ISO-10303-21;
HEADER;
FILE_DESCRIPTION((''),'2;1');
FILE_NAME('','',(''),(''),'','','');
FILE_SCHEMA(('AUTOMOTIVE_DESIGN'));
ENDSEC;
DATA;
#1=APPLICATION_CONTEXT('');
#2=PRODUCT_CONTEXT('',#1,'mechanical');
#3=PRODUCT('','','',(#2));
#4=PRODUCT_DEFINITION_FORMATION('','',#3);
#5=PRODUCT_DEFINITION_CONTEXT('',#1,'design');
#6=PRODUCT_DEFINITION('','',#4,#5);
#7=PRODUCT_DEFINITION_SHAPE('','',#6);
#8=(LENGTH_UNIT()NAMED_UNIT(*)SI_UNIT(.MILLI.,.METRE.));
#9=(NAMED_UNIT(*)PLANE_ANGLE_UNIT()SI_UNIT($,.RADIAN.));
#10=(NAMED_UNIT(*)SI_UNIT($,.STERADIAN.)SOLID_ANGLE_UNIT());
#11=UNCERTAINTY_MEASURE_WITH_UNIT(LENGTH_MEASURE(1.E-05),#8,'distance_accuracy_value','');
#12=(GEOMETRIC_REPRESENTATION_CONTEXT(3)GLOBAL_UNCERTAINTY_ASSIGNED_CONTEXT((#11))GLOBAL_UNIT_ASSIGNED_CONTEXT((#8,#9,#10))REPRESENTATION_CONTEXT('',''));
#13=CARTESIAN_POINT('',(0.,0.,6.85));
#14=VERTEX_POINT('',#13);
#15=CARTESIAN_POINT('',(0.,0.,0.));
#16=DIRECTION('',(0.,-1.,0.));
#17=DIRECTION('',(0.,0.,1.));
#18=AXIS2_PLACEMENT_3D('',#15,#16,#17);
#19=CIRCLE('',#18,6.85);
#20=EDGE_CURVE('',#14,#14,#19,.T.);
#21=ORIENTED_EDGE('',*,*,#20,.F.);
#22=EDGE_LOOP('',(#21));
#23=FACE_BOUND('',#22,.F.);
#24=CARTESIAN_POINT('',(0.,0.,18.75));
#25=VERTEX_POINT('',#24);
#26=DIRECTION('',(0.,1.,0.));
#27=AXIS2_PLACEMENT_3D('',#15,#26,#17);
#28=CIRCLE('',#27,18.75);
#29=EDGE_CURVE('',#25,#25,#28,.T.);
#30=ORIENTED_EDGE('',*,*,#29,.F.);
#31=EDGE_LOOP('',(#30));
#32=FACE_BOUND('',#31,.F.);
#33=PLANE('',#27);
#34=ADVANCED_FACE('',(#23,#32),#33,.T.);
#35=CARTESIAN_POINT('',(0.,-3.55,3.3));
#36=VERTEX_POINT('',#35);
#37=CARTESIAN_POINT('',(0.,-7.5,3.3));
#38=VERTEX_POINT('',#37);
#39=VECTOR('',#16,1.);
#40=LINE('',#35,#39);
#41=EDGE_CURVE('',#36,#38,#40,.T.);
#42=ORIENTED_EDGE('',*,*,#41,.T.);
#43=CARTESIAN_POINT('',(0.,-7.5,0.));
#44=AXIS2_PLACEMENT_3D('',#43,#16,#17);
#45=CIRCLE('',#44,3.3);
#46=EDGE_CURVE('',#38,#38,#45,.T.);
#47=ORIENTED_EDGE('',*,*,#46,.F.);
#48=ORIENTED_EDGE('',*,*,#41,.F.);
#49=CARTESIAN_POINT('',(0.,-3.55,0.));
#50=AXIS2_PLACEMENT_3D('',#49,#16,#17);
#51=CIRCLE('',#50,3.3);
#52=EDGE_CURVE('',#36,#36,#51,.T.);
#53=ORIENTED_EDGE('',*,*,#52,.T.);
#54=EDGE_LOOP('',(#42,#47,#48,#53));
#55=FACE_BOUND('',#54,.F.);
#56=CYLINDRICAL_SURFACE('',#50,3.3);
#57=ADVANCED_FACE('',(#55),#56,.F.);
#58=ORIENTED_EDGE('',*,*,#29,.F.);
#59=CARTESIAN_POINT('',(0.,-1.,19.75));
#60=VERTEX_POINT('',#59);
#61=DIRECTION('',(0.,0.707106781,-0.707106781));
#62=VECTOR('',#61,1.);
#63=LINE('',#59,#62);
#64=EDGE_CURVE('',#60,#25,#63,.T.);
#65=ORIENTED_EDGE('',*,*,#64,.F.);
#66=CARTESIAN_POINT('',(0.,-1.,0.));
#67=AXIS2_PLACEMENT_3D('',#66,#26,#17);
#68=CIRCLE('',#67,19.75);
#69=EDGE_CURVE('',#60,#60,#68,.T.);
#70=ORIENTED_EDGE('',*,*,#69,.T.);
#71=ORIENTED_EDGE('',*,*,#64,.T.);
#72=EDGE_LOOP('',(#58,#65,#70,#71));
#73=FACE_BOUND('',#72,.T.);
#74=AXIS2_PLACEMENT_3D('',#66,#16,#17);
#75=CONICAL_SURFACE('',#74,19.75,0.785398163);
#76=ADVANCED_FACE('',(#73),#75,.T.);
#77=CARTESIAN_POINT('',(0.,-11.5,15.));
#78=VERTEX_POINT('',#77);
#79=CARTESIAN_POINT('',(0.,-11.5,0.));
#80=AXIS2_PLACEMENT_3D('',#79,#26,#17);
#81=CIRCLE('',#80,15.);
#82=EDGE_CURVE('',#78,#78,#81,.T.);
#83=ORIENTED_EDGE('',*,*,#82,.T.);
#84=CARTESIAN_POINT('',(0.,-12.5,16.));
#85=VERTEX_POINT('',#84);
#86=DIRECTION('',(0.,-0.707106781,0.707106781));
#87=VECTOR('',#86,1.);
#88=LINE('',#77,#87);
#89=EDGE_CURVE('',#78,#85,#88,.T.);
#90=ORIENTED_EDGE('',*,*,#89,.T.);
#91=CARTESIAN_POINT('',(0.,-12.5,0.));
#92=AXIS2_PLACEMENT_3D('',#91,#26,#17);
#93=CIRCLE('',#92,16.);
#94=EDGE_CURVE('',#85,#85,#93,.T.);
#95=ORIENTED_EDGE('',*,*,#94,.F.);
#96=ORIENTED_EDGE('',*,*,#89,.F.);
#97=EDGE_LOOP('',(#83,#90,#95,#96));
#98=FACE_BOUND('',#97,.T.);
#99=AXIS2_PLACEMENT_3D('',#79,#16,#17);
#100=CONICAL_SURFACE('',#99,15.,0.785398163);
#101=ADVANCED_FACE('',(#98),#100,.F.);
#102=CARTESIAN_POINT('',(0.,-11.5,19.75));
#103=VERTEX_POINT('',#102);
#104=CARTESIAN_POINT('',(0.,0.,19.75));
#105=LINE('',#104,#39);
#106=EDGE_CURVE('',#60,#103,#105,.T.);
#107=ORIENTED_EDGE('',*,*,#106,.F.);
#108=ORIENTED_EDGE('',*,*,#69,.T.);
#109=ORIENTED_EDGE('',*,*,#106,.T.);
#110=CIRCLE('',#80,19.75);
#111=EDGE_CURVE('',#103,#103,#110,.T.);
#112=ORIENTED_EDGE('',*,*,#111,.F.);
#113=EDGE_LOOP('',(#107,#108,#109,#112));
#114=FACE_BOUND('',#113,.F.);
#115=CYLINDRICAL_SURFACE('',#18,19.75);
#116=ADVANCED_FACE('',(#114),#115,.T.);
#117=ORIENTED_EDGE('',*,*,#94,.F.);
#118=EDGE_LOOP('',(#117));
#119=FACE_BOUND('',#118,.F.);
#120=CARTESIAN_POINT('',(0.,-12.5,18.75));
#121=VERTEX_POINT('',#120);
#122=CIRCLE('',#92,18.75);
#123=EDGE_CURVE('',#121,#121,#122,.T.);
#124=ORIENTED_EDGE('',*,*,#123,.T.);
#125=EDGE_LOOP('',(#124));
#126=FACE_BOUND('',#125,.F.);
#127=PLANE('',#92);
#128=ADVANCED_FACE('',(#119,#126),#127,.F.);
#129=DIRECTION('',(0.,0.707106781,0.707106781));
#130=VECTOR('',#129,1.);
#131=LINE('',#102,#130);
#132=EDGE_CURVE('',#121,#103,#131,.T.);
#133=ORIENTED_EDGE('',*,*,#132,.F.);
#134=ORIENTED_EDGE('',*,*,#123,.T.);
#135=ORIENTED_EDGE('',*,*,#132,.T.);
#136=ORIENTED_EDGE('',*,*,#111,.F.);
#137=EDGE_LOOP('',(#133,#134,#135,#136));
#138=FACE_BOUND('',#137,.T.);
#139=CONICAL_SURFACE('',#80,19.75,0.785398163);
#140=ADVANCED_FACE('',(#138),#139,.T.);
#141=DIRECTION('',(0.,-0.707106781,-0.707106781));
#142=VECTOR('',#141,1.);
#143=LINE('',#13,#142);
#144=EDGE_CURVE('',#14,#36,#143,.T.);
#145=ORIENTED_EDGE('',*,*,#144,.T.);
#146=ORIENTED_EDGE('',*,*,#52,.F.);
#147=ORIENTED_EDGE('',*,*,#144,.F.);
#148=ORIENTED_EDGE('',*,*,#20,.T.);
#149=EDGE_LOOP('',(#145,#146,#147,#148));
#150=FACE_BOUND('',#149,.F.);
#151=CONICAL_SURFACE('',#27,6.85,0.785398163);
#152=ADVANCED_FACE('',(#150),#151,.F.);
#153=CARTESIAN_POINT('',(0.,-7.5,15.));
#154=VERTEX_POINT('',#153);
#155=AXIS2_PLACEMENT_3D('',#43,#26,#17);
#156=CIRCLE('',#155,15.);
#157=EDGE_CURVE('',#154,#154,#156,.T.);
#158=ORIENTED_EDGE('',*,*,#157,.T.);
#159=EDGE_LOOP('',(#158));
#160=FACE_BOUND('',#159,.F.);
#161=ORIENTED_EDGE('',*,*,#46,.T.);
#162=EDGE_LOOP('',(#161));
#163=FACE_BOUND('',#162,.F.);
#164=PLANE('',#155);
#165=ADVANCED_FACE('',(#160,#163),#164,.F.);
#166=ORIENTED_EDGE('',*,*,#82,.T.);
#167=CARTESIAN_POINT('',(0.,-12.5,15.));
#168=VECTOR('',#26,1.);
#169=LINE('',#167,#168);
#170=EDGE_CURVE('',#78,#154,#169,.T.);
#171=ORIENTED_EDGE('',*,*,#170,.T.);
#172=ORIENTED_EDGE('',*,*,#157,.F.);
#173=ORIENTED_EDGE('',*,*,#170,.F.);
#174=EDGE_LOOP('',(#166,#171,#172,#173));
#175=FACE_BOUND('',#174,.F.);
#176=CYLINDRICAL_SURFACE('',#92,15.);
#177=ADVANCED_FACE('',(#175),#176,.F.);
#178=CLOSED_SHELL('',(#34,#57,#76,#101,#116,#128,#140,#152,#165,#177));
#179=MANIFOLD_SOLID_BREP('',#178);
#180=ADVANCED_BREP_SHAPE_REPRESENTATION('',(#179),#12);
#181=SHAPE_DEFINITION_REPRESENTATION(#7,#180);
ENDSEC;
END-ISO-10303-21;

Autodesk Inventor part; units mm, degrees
ref_plane "YZ Plane" through (0, 0, 0) normal (1, 0, 0) x (0, 1, 0)
ref_plane "XZ Plane" through (0, 0, 0) normal (0, 1, 0) x (-1, 0, 0)
ref_plane "XY Plane" through (0, 0, 0) normal (0, 0, 1) x (1, 0, 0)
sketch "Skizze1" plane through (0, 0, 0) normal (1, 0, 0) x (0, 1, 0)
  line L0 (-15, 0) -> (2.5, 0) projected
  line L1 (0, 23.7) -> (0, -3.95) construction
  line L2 (0, 0) -> (0, 19.75)
  line L3 (0, 19.75) -> (-12.5, 19.75)
  line L4 (-12.5, 19.75) -> (-12.5, 15)
  line L5 (-12.5, 15) -> (-7.5, 15)
  line L6 (-7.5, 15) -> (-7.5, 0)
  line L7 (0, 0) -> (-7.5, 0)
  dimension "d0" = 12.5
  dimension "d1" = 39.5
  dimension "d2" = 30
  dimension "d3" = 5
revolve "Grundkoerper" add sketch "Skizze1" angle 360 about axis through (0, 0, 0) along (0, 1, 0)
sketch "Skizze2" plane through (0, 0, 0) normal (0, 1, 0) x (1, 0, 0)
  line L0 (0, 27.65) -> (0, -27.65) construction
  line L1 (27.65, 0) -> (-27.65, 0) construction
  point P0 (0, 0)
  point P1 (0, 0)
hole "BOH_M6_ISO10642" at (0, 0, 0) direction (0, -1, 0) diameter 6.6 end through all countersink diameter 13.7 countersink angle 90
chamfer "Fase1" distance 1 angle 45 3 edges at (0, -12.5, -15) (0, -12.5, -19.75) (0, 0, -19.75)
properties part number "200-20-ROCKER-CONNECTOR-02" material "Aluminium 6061"
